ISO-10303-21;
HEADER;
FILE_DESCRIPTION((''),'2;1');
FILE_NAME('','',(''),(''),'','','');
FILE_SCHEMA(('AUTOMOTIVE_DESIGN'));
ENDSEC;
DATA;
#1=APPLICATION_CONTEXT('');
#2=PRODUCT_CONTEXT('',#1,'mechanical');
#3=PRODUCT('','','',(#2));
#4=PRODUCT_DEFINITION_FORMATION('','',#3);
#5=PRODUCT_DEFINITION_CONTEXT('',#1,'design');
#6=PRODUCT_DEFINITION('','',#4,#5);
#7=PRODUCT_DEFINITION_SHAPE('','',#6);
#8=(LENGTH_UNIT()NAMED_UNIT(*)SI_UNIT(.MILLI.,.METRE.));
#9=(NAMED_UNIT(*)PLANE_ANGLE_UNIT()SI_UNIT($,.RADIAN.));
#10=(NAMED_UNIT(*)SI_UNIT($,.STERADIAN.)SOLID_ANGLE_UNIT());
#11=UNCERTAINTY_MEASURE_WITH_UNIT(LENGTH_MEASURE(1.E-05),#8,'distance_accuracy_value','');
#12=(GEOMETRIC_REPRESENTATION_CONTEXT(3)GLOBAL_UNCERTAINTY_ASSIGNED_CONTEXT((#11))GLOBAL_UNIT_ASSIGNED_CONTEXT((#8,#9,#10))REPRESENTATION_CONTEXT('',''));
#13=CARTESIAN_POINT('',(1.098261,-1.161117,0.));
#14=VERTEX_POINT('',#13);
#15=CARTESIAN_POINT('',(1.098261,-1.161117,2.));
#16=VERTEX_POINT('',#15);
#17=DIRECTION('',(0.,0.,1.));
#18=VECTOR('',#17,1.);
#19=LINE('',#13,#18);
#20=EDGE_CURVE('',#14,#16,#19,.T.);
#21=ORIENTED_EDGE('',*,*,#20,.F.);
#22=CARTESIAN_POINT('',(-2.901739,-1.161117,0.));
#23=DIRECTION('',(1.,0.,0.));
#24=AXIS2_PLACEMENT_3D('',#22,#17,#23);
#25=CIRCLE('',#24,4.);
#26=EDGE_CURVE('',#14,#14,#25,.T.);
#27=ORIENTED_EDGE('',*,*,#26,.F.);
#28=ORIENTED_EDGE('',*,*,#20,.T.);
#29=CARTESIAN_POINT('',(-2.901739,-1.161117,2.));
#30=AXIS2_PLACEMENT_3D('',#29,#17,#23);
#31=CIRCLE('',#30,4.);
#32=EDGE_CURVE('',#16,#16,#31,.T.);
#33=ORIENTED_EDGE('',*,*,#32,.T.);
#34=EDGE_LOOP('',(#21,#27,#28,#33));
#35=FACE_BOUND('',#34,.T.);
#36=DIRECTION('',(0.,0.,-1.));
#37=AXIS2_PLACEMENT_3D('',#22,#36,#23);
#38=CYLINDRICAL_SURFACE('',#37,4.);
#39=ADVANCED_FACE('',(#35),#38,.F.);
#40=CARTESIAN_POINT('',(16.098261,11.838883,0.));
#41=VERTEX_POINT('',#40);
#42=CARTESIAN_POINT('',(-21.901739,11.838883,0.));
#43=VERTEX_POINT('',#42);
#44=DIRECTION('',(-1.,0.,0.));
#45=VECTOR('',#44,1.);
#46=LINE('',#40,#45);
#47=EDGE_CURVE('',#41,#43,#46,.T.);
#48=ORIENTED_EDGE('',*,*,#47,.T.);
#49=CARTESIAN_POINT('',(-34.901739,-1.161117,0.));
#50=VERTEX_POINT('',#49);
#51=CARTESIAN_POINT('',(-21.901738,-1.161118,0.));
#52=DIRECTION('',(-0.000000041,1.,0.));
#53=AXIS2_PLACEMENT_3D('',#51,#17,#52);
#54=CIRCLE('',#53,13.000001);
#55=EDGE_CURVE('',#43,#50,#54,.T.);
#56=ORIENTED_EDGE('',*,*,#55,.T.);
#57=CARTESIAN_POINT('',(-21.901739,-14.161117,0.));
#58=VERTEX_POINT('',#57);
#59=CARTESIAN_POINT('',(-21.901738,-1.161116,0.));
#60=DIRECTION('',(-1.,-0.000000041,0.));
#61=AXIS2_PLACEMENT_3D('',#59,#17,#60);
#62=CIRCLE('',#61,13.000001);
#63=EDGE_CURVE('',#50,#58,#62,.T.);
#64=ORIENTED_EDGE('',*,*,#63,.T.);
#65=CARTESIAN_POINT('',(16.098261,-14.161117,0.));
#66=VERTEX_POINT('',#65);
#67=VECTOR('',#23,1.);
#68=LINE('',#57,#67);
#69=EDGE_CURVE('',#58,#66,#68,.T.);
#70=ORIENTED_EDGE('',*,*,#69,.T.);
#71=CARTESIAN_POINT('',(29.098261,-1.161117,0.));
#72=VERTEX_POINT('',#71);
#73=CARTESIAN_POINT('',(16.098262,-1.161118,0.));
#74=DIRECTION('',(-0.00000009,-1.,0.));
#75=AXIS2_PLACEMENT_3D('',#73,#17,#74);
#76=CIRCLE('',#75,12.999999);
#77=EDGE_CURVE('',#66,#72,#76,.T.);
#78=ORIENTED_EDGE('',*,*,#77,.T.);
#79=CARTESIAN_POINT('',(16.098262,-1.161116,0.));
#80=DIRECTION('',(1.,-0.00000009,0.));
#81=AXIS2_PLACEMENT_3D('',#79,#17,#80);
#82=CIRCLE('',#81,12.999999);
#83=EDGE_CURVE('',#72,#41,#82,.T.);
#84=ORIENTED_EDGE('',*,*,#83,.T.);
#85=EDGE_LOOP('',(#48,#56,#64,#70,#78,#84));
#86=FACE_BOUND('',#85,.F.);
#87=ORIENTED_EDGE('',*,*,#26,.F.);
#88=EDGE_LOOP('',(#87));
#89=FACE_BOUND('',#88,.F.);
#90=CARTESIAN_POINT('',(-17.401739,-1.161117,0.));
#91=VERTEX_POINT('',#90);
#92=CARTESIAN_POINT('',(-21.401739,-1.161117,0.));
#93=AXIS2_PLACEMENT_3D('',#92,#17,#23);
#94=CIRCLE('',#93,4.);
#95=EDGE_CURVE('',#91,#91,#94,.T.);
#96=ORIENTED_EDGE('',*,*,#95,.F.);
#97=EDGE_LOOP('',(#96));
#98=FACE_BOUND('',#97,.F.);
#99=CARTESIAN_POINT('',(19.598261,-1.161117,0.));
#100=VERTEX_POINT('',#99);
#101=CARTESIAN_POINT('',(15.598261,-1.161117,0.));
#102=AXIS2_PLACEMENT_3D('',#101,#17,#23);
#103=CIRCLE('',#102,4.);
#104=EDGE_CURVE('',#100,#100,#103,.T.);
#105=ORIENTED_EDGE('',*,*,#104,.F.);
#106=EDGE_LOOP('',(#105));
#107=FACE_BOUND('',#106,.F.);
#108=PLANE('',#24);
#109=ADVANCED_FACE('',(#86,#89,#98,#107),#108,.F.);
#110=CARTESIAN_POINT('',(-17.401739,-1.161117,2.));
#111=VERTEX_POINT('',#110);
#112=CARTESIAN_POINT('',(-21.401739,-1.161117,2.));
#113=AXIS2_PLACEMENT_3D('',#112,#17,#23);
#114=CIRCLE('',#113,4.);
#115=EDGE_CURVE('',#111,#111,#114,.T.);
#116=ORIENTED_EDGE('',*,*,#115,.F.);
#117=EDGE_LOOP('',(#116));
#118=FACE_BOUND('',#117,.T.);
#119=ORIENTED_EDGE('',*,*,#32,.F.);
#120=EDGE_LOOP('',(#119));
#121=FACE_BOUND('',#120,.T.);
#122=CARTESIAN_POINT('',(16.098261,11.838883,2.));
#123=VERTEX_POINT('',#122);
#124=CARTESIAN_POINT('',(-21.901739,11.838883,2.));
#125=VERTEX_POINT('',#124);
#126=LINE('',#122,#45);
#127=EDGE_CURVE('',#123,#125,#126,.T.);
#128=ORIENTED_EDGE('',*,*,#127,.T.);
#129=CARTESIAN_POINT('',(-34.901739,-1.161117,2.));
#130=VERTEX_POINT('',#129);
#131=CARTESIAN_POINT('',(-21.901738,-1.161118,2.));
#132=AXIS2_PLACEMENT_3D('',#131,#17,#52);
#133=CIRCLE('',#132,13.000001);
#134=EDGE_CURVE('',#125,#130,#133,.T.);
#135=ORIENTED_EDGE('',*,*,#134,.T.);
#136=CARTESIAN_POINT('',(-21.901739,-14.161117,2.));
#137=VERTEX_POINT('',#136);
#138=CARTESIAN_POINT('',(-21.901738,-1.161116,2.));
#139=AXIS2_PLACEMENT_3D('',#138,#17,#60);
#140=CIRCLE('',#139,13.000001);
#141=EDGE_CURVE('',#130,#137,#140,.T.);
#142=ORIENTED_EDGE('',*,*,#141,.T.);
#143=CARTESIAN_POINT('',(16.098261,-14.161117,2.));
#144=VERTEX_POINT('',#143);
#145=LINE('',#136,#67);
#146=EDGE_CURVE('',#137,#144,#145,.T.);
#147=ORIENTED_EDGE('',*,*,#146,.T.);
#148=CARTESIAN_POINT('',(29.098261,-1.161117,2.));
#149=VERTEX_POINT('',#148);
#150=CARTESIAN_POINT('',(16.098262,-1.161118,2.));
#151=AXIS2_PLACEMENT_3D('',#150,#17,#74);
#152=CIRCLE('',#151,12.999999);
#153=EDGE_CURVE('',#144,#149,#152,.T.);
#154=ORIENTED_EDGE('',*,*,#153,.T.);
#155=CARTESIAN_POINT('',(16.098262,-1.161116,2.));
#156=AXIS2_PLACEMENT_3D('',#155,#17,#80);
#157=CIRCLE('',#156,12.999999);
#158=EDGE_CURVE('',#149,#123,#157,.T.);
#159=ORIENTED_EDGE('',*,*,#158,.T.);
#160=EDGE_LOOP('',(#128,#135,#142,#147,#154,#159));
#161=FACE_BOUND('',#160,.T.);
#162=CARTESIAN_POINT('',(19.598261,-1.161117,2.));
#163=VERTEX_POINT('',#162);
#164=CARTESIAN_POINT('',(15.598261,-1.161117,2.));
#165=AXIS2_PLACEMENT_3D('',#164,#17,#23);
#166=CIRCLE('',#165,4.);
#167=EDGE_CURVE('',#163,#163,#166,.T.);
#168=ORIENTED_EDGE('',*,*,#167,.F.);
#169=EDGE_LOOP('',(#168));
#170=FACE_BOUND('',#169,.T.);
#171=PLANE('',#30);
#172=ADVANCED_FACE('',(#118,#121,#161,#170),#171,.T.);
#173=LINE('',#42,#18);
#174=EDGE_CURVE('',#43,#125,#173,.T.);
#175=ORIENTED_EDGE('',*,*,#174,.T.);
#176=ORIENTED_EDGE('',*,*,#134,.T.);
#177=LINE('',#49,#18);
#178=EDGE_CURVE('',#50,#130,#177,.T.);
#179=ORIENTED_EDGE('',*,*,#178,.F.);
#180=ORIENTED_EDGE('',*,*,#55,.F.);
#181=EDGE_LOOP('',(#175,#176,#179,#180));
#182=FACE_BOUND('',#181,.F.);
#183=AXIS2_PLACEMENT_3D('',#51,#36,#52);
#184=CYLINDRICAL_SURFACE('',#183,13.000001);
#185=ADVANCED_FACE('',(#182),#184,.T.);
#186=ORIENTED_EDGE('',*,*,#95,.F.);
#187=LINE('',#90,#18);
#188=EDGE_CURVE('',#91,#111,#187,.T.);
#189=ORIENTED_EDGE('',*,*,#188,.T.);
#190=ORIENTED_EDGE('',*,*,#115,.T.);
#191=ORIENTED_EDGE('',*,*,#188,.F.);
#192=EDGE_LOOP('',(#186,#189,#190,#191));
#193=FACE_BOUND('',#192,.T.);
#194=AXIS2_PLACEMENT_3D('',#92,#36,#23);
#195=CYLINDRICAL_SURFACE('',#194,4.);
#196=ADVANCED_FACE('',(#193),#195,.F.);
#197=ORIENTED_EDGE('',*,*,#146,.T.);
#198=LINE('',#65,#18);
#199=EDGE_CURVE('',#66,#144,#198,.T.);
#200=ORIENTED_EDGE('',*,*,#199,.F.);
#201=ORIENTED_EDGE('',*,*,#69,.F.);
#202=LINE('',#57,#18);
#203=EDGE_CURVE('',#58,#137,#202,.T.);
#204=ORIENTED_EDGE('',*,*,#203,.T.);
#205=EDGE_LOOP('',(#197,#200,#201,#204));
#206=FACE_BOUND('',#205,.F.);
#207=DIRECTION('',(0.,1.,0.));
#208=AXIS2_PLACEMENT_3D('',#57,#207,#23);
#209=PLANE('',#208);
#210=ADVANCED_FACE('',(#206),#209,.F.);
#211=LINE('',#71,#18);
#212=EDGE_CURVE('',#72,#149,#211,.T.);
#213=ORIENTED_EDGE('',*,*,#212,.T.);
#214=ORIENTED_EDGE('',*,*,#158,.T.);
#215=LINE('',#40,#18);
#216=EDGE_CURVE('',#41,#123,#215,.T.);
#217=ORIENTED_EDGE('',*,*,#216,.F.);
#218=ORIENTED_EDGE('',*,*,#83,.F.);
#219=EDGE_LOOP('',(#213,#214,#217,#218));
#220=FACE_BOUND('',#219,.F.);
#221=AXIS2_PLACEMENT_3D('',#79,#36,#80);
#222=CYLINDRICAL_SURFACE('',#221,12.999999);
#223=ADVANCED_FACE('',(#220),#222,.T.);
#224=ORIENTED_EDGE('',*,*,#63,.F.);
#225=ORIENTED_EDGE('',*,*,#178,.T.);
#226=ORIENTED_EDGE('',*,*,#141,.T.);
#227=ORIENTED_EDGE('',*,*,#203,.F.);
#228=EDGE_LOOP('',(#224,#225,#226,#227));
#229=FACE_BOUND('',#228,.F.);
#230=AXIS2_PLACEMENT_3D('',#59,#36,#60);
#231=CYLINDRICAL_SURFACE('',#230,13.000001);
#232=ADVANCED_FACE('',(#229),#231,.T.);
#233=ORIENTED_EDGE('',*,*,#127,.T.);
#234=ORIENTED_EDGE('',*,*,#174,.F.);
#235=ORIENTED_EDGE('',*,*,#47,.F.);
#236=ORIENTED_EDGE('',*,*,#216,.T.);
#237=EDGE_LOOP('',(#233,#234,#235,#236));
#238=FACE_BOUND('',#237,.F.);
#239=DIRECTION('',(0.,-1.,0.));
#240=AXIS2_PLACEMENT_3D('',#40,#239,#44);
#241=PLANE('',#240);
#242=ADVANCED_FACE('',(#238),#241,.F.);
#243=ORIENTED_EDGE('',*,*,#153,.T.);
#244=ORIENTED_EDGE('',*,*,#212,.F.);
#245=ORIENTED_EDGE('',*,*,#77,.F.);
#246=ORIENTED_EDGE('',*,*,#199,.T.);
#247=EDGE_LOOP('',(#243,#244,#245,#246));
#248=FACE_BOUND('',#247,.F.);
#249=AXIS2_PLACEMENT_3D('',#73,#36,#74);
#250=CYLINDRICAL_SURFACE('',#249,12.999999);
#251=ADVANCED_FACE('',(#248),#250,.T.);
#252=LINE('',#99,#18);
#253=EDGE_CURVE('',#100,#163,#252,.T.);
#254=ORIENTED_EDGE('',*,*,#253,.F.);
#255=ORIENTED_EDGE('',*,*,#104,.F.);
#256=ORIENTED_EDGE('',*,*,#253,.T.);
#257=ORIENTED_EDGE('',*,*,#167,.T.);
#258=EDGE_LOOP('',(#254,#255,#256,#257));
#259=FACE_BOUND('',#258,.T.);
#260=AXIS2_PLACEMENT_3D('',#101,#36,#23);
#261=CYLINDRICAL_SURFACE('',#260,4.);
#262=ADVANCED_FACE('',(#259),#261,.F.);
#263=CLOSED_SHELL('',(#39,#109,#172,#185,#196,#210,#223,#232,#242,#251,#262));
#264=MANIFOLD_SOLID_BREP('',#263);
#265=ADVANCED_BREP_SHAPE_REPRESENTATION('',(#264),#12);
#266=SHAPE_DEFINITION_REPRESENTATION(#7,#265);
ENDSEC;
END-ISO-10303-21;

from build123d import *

# Parameters (mm, degrees)
F0_R     = 4
F1_DEPTH = 2


with BuildPart() as f1:
    # F0 (on Top) → F1 (new body)
    with BuildSketch(Plane.XY):
        with BuildLine():
            Line((16.098261, 11.838883), (-21.901739, 11.838883))
            ThreePointArc((-21.901739, 11.838883), (-31.094127, 8.031271), (-34.901739, -1.161117))
            ThreePointArc((-34.901739, -1.161117), (-31.094127, -10.353505), (-21.901739, -14.161117))
            Line((-21.901739, -14.161117), (16.098261, -14.161117))
            ThreePointArc((16.098261, -14.161117), (25.29065, -10.353505), (29.098261, -1.161117))
            ThreePointArc((29.098261, -1.161117), (25.29065, 8.031271), (16.098261, 11.838883))
        make_face()
        with Locations((-21.401739, -1.161117)):
            Circle(F0_R, mode=Mode.SUBTRACT)
        with Locations((-2.901739, -1.161117)):
            Circle(F0_R, mode=Mode.SUBTRACT)
        with Locations((15.598261, -1.161117)):
            Circle(F0_R, mode=Mode.SUBTRACT)
    extrude(amount=F1_DEPTH)


solid = f1.part
